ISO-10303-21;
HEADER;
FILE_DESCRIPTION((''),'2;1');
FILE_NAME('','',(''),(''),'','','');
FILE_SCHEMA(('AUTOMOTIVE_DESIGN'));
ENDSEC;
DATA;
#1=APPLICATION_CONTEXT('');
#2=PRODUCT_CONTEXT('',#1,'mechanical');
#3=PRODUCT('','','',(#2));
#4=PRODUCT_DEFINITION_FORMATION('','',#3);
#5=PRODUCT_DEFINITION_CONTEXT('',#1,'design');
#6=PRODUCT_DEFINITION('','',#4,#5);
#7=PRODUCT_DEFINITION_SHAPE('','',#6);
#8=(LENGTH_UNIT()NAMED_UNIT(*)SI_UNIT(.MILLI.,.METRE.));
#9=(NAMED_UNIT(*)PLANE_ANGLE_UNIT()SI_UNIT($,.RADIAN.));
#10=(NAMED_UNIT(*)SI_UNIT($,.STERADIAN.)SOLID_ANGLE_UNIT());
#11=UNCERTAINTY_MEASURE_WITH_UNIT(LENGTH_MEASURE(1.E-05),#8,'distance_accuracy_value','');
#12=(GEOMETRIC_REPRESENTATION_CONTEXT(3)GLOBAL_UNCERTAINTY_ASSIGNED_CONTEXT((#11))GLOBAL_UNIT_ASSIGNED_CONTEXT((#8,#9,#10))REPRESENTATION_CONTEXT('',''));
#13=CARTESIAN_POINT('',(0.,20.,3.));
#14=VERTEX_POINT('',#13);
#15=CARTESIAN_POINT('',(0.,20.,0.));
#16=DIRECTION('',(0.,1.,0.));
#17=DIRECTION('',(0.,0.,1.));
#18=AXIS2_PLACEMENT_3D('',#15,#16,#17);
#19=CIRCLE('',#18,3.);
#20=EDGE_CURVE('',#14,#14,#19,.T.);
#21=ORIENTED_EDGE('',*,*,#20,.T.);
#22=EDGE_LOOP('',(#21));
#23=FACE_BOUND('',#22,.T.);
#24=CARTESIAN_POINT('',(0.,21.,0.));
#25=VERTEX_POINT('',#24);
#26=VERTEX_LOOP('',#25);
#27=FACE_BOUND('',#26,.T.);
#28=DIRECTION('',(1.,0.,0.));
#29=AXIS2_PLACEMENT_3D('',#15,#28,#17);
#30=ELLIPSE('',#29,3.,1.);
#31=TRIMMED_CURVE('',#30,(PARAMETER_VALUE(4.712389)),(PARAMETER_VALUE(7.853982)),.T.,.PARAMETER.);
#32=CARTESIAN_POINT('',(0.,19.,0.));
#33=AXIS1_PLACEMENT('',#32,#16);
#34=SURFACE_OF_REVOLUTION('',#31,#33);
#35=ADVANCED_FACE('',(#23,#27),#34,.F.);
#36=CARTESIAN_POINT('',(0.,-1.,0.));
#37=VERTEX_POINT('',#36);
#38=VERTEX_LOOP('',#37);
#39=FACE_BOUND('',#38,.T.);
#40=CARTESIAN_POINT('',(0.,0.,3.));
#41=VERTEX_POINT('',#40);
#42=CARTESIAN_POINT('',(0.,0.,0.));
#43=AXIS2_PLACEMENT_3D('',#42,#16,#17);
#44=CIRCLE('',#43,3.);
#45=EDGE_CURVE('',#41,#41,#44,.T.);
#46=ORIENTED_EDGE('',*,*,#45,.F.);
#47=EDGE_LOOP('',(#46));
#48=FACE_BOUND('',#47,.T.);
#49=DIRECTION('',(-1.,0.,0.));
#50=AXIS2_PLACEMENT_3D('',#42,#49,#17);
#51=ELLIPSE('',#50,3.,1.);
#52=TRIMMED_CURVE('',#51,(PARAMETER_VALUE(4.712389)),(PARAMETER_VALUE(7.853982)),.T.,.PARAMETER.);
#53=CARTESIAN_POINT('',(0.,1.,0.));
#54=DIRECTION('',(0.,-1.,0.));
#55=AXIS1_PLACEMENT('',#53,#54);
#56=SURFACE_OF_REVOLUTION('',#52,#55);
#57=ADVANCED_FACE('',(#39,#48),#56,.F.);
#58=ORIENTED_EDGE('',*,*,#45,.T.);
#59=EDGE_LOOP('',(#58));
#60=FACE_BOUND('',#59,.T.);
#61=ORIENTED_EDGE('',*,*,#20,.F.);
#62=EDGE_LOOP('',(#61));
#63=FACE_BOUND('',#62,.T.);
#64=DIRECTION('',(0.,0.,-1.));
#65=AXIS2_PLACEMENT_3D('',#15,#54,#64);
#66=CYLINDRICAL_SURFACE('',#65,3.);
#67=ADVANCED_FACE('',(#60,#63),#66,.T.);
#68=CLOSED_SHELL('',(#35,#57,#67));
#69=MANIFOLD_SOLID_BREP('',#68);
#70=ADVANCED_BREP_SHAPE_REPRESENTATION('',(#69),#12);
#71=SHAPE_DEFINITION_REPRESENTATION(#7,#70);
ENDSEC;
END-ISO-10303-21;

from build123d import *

# Parameters (mm, degrees)
ESQUISSE1_R        = 3
BOSS_EXTRU_1_DEPTH = 20
D_ME1_FACE_RADIUS  = 3
D_ME1_HEIGHT       = 1
D_ME2_FACE_RADIUS  = 3
D_ME2_HEIGHT       = 1


with BuildPart() as part:
    # Esquisse1 → Boss.-Extru.1 (new body)
    with BuildSketch(Plane(origin=(0, 0, 0), x_dir=(1, 0, 0), z_dir=(0, 1, 0))):
        Circle(ESQUISSE1_R)
    extrude(amount=BOSS_EXTRU_1_DEPTH)

    # Dôme1: an elliptical dome of height H over a round flat face of radius A is half a spheroid: the quarter ellipse of half axes A and H revolved about the face's axis
    with BuildSketch(Plane((0, 20, 0), x_dir=(0, 0, -1), z_dir=(1, 0, 0)), mode=Mode.PRIVATE) as d_me1_quarter:
        Ellipse(D_ME1_FACE_RADIUS, D_ME1_HEIGHT)
        Rectangle(D_ME1_FACE_RADIUS, D_ME1_HEIGHT, align=(Align.MIN, Align.MIN), mode=Mode.INTERSECT)
    revolve(d_me1_quarter.sketch, axis=Axis((0, 20, 0), (0, 1, 0)))

    # Dôme2: an elliptical dome of height H over a round flat face of radius A is half a spheroid: the quarter ellipse of half axes A and H revolved about the face's axis
    with BuildSketch(Plane((0, 0, 0), x_dir=(0, 0, 1), z_dir=(1, 0, 0)), mode=Mode.PRIVATE) as d_me2_quarter:
        Ellipse(D_ME2_FACE_RADIUS, D_ME2_HEIGHT)
        Rectangle(D_ME2_FACE_RADIUS, D_ME2_HEIGHT, align=(Align.MIN, Align.MIN), mode=Mode.INTERSECT)
    revolve(d_me2_quarter.sketch, axis=Axis((0, 0, 0), (0, -1, 0)))


solid = part.part
